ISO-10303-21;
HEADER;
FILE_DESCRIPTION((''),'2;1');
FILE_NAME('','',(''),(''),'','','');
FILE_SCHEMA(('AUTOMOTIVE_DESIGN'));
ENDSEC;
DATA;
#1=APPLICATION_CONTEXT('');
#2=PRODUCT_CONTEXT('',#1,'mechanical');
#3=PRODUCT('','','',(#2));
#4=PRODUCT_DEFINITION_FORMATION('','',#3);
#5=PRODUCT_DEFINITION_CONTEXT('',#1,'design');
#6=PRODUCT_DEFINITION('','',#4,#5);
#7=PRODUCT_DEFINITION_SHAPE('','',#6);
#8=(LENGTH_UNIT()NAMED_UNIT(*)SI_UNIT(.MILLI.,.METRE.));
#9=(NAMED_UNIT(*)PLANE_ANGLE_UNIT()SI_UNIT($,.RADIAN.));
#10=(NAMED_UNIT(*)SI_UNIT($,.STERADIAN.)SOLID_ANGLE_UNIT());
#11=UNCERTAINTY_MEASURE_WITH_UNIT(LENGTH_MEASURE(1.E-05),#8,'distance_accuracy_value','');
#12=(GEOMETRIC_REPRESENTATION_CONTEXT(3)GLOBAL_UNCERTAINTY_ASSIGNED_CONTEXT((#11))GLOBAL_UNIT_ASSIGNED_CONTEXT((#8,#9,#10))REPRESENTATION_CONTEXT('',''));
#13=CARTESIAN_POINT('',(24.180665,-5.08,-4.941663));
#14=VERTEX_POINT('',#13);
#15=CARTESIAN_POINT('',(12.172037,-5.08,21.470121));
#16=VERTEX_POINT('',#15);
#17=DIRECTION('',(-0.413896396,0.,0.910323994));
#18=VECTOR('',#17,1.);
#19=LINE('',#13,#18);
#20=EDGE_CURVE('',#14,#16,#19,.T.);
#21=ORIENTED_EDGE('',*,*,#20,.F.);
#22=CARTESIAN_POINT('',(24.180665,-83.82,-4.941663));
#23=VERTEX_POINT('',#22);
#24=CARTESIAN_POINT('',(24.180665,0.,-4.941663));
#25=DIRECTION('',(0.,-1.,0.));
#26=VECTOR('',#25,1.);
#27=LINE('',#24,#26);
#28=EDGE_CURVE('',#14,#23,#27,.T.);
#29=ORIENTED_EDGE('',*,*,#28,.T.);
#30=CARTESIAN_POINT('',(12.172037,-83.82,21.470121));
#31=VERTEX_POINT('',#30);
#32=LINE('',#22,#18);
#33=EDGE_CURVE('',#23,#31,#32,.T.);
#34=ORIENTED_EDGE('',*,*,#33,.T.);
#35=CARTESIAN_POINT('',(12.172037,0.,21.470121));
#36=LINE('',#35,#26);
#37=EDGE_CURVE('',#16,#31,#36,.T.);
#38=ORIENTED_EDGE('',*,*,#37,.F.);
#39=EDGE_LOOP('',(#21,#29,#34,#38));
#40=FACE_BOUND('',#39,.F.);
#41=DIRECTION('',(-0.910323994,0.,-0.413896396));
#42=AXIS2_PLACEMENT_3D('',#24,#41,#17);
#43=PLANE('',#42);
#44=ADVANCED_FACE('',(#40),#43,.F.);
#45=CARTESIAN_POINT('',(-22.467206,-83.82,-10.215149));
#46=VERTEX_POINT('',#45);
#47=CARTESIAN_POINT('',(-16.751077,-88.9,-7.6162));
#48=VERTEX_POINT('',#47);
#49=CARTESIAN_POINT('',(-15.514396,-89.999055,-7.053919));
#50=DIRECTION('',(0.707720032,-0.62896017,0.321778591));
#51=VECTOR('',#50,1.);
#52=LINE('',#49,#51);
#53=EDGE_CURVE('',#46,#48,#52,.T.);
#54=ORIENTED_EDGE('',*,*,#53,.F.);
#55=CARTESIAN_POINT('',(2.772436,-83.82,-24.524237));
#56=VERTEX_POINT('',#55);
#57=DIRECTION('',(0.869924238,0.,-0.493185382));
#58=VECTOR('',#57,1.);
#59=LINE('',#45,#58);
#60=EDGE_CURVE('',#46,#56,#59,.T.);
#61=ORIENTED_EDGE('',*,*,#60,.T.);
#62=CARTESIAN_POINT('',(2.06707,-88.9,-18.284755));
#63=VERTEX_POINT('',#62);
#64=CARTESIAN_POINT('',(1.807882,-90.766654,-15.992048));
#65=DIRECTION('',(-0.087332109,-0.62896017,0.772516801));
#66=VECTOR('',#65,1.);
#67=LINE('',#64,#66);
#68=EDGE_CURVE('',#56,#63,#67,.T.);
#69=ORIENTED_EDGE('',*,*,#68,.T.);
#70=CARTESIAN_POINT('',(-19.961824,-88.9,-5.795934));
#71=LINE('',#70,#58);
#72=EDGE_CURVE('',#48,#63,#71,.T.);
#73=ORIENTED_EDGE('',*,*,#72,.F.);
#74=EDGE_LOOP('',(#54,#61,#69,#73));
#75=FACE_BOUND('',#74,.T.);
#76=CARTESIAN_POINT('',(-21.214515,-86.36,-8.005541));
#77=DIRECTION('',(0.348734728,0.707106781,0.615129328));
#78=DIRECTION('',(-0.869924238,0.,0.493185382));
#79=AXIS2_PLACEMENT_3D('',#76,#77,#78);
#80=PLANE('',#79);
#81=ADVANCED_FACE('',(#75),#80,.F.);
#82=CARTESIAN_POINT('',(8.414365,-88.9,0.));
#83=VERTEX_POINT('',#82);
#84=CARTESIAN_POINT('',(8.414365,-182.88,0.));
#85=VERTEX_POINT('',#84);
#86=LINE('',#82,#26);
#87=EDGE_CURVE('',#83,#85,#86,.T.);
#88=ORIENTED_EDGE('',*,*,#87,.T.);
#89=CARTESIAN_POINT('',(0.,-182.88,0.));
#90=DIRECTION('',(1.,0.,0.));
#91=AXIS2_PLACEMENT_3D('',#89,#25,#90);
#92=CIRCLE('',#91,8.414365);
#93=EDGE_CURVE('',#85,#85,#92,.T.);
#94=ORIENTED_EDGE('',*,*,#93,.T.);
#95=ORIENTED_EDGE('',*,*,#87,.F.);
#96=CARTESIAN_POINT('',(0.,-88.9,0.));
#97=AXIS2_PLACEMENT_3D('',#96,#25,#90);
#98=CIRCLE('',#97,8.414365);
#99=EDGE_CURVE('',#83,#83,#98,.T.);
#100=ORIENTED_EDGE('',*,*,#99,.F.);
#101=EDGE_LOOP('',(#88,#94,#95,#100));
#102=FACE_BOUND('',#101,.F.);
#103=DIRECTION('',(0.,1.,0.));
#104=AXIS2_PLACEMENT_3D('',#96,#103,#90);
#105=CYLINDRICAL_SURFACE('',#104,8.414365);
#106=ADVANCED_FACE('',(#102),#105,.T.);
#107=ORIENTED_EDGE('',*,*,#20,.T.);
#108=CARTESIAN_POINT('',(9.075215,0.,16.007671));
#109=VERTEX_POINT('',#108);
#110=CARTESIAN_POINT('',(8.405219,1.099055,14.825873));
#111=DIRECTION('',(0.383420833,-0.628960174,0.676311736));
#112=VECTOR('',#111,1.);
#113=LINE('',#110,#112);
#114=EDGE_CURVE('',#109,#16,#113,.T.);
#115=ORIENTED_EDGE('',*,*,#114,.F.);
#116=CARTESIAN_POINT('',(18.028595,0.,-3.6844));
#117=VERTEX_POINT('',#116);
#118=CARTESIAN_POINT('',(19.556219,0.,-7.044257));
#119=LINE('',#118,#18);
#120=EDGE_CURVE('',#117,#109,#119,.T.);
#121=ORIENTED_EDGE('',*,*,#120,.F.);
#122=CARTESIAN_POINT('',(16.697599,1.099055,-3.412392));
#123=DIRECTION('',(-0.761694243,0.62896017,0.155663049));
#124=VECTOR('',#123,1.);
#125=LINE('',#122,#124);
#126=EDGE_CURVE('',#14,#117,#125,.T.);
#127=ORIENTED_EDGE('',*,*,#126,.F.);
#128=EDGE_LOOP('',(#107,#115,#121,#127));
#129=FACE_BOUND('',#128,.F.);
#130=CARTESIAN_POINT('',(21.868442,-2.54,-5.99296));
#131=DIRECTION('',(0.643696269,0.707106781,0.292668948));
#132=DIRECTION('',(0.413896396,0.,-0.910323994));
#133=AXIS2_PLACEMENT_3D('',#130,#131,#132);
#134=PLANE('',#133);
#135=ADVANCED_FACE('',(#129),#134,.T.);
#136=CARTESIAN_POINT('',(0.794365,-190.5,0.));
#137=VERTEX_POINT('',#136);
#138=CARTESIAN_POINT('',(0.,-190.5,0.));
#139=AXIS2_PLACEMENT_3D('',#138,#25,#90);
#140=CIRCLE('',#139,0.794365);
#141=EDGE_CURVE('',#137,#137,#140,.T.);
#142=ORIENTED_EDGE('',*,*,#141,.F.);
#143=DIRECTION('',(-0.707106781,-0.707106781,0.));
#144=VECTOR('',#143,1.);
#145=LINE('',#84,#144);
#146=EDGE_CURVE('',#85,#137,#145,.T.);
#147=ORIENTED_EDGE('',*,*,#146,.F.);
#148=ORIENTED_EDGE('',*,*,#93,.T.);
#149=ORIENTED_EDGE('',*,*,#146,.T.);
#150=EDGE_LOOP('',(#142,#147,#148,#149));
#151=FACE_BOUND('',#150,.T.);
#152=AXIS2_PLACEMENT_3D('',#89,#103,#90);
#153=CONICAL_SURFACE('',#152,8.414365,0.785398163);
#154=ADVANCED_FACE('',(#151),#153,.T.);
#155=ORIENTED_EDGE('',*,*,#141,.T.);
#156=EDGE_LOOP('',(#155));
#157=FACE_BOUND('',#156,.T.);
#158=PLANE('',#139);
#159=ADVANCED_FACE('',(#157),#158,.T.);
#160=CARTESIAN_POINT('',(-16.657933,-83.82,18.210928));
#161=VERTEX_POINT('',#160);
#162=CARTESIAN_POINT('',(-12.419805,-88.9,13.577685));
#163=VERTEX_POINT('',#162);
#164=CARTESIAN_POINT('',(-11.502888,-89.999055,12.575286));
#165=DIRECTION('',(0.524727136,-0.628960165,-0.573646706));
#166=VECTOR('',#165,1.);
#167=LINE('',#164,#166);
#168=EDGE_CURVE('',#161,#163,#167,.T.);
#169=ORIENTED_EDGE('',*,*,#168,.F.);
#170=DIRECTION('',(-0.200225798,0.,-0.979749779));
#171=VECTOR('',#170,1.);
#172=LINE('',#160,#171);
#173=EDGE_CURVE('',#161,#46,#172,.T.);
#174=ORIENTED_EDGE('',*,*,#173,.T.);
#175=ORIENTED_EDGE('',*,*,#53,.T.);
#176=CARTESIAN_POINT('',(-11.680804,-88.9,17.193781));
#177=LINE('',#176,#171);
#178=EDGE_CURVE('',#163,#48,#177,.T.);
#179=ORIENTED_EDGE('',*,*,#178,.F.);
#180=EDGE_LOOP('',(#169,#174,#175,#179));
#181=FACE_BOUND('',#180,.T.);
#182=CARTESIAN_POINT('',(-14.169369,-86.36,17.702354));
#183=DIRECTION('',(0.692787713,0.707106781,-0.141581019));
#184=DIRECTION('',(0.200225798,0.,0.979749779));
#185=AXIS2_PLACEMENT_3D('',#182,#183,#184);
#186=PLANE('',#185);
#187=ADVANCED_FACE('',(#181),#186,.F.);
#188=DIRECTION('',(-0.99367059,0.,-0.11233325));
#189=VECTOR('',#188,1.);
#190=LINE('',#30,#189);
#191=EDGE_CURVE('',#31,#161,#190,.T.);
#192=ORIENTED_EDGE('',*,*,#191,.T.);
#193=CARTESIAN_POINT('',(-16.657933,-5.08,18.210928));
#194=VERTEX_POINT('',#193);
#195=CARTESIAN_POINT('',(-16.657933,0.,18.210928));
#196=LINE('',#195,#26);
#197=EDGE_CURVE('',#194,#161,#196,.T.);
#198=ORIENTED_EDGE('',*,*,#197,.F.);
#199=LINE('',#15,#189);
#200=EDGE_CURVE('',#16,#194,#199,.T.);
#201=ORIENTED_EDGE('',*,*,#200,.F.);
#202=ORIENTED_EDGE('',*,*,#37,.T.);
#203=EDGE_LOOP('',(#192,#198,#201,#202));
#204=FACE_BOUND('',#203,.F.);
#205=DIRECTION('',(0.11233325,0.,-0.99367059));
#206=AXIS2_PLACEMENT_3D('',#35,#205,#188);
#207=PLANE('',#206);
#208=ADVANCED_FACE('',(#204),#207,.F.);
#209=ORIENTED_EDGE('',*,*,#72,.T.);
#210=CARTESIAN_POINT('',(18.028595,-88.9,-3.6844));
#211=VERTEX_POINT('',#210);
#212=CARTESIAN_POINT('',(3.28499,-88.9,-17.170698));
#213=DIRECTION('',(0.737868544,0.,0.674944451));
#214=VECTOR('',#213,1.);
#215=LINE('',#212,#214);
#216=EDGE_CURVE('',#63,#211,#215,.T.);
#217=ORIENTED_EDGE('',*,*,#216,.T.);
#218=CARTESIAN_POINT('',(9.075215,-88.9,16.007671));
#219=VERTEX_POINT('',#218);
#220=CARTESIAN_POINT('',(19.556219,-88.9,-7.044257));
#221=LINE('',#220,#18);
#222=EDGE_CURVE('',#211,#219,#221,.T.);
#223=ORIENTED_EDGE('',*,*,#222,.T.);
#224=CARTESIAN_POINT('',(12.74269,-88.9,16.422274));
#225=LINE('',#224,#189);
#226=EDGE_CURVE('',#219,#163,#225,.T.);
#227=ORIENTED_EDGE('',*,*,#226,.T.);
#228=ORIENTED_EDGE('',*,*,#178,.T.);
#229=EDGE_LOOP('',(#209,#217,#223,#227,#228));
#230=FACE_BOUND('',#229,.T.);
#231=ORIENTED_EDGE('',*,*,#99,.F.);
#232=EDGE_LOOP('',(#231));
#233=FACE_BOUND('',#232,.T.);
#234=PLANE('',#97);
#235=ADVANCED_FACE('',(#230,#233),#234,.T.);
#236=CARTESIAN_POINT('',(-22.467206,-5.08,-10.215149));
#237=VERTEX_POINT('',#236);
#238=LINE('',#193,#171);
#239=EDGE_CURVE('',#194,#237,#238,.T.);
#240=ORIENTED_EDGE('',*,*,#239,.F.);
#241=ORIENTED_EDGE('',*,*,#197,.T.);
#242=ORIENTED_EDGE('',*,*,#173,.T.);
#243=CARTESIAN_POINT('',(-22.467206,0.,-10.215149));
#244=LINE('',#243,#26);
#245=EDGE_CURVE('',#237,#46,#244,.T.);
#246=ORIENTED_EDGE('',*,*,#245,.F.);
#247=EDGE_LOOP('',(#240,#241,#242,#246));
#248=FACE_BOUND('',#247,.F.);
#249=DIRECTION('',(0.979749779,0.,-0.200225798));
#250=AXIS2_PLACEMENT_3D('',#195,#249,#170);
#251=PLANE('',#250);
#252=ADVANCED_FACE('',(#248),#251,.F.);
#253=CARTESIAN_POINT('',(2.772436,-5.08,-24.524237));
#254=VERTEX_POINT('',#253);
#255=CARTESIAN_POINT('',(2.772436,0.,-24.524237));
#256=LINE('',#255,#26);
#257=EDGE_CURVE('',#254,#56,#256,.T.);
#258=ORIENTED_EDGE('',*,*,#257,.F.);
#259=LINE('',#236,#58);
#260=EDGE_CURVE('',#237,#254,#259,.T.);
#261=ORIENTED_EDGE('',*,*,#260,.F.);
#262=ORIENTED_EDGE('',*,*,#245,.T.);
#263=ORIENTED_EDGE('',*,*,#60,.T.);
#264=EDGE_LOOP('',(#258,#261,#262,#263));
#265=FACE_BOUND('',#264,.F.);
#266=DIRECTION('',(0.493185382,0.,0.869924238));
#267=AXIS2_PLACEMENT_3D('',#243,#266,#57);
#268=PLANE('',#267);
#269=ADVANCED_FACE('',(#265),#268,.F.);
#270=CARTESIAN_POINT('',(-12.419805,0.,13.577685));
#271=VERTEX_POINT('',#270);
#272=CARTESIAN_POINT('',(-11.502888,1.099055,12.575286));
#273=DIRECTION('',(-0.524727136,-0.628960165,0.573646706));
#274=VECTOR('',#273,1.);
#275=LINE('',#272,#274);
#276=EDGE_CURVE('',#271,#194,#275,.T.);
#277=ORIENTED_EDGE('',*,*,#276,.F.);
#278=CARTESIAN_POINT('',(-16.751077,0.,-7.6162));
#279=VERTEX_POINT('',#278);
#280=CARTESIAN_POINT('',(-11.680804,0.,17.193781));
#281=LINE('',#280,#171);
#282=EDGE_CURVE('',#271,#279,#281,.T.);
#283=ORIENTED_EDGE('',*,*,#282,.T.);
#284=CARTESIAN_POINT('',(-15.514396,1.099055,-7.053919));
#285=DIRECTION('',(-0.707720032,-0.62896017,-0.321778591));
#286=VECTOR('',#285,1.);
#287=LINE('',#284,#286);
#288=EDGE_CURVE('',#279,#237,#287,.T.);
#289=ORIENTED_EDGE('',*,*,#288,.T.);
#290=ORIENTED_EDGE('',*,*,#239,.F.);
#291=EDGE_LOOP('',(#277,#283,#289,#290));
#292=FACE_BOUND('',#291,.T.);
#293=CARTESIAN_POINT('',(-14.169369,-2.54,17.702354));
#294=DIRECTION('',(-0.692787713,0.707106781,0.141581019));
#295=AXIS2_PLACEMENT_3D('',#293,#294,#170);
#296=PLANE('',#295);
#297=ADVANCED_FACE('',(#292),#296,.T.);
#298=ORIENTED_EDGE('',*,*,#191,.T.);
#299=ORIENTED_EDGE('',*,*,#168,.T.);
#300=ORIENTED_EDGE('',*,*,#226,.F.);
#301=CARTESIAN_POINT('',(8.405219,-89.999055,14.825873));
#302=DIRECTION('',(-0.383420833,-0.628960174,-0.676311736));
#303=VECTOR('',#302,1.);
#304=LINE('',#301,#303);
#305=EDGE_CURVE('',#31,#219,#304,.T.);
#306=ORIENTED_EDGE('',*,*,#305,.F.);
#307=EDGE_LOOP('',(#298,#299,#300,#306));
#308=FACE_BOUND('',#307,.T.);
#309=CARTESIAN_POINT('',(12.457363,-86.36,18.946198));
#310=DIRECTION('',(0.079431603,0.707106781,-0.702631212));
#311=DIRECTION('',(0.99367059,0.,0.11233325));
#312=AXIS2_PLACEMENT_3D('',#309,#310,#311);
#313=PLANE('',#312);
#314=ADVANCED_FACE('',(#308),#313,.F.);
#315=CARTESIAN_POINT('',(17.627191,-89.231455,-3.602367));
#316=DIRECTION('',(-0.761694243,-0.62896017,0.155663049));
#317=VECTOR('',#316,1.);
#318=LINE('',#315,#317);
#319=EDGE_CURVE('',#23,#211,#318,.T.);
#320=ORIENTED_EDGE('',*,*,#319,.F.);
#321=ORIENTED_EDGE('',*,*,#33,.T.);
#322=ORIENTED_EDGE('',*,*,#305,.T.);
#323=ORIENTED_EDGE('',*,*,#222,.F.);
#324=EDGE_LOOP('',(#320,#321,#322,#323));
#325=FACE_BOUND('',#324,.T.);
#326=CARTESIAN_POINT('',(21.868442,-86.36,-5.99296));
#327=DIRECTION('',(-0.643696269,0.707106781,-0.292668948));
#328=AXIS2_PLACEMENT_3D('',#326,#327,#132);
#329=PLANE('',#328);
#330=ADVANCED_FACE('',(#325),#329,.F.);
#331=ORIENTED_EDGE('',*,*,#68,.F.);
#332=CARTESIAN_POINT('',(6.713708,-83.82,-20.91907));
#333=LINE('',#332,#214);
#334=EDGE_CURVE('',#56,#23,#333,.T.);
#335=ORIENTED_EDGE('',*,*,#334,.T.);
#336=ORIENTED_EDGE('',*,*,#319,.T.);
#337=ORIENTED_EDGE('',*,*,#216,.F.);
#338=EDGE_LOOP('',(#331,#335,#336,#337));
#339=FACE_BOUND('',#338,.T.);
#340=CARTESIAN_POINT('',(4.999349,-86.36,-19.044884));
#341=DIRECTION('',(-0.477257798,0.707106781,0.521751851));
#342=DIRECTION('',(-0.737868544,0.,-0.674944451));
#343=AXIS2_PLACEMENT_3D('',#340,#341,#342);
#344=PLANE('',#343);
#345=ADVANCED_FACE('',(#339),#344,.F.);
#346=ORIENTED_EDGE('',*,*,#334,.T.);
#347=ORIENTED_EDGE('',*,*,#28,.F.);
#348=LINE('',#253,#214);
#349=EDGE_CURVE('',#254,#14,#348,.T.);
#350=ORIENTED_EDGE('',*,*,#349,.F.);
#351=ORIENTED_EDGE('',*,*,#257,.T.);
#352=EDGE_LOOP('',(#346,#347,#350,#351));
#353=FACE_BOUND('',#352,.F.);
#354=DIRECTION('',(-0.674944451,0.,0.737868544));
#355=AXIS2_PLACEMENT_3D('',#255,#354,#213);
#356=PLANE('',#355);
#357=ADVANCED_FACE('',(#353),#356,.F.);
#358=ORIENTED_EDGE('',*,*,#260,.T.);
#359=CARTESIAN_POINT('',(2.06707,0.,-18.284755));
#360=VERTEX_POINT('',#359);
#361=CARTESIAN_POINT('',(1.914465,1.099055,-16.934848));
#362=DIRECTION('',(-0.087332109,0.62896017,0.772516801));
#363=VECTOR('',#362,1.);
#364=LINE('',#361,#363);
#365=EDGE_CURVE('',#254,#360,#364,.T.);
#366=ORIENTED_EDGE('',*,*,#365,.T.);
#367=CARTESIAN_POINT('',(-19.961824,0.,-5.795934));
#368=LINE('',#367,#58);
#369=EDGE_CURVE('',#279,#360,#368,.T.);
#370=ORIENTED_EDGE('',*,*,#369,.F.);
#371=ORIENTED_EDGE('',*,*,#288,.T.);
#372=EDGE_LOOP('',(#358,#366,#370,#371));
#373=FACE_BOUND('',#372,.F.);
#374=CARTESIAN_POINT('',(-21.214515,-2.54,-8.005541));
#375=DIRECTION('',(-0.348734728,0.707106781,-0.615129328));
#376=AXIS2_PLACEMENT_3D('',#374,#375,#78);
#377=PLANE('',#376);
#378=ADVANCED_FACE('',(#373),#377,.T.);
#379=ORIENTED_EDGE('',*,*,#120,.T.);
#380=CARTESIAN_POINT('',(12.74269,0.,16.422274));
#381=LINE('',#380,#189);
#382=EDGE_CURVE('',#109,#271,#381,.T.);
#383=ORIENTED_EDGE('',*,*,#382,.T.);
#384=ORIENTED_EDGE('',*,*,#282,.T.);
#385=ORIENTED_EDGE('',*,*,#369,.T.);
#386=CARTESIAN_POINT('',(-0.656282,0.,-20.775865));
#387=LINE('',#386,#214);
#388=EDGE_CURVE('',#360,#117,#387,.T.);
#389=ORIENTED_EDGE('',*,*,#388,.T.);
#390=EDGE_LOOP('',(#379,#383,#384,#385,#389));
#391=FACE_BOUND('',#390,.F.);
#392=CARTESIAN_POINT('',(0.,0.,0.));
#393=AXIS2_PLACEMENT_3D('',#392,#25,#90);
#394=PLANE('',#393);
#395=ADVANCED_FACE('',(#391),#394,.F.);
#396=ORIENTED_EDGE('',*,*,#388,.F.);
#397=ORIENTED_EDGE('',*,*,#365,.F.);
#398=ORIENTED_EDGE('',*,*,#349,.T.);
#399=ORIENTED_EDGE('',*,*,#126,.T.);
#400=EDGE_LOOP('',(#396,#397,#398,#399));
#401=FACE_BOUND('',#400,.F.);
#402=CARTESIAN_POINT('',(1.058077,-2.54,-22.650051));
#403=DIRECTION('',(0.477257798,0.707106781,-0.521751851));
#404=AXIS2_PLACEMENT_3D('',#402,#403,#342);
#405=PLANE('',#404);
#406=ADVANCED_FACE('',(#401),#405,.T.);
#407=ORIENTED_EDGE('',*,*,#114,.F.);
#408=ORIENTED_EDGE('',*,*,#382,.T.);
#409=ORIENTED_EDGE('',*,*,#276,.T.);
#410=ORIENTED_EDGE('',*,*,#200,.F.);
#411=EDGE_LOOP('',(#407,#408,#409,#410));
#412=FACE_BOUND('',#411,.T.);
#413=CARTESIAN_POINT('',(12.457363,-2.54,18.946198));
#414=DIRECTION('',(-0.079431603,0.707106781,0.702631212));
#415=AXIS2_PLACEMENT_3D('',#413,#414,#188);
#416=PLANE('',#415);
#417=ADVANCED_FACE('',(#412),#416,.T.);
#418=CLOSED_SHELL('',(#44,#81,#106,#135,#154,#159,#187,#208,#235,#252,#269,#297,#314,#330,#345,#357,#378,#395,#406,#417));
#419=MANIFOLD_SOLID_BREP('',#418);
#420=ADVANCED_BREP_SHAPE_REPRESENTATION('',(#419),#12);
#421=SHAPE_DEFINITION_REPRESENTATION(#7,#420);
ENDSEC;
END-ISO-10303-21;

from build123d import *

# Parameters (mm, degrees)
F1_DEPTH = 88.9
F2_SIZE  = 5.08
F3_SIZE  = 5.08
F4_SIZE  = 5.08
F5_SIZE  = 5.08
F6_SIZE  = 5.08
F7_SIZE  = 5.08
F8_R     = 8.414365
F9_DEPTH = 101.6
F10_SIZE = 7.62


with BuildPart() as f1:
    # F0 (on Front) → F1 (new body)
    with BuildSketch(Plane.XZ):
        Polygon((-22.467206, -10.215149), (2.772436, -24.524237), (24.180665, -4.941663), (12.172037, 21.470121), (-16.657933, 18.210928), align=None)
    extrude(amount=F1_DEPTH)

    # F2
    f2_edges = [f1.edges().sort_by_distance(p)[0] for p in [
        (-9.847385, -88.9, -17.369693),
    ]]
    chamfer(f2_edges, length=F2_SIZE)

    # F3
    f3_edges = [f1.edges().sort_by_distance(p)[0] for p in [
        (-19.027823, -88.9, 6.614521),
    ]]
    chamfer(f3_edges, length=F3_SIZE)

    # F4
    f4_edges = [f1.edges().sort_by_distance(p)[0] for p in [
        (0.410862, -88.9, 20.140535),
    ]]
    chamfer(f4_edges, length=F4_SIZE)

    # F5
    f5_edges = [f1.edges().sort_by_distance(p)[0] for p in [
        (19.28175, -88.9, 5.833014),
    ]]
    chamfer(f5_edges, length=F5_SIZE)

    # F6
    f6_edges = [f1.edges().sort_by_distance(p)[0] for p in [
        (13.476551, -88.9, -14.73295),
    ]]
    chamfer(f6_edges, length=F6_SIZE)

    # F7
    f7_edges = [f1.edges().sort_by_distance(p)[0] for p in [
        (-19.562569, 0, 3.997889),
        (-2.242948, 0, 19.840525),
        (18.176351, 0, 8.264229),
        (13.476551, 0, -14.73295),
        (-9.847385, 0, -17.369693),
    ]]
    chamfer(f7_edges, length=F7_SIZE)

    # F8 (on face) → F9 (join)
    with BuildSketch(Plane.XZ.offset(88.9)):
        Circle(F8_R)
    extrude(amount=F9_DEPTH)

    # F10
    f10_edges = [f1.edges().sort_by_distance(p)[0] for p in [
        (-8.414365, -190.5, 0),
    ]]
    chamfer(f10_edges, length=F10_SIZE)


solid = f1.part
